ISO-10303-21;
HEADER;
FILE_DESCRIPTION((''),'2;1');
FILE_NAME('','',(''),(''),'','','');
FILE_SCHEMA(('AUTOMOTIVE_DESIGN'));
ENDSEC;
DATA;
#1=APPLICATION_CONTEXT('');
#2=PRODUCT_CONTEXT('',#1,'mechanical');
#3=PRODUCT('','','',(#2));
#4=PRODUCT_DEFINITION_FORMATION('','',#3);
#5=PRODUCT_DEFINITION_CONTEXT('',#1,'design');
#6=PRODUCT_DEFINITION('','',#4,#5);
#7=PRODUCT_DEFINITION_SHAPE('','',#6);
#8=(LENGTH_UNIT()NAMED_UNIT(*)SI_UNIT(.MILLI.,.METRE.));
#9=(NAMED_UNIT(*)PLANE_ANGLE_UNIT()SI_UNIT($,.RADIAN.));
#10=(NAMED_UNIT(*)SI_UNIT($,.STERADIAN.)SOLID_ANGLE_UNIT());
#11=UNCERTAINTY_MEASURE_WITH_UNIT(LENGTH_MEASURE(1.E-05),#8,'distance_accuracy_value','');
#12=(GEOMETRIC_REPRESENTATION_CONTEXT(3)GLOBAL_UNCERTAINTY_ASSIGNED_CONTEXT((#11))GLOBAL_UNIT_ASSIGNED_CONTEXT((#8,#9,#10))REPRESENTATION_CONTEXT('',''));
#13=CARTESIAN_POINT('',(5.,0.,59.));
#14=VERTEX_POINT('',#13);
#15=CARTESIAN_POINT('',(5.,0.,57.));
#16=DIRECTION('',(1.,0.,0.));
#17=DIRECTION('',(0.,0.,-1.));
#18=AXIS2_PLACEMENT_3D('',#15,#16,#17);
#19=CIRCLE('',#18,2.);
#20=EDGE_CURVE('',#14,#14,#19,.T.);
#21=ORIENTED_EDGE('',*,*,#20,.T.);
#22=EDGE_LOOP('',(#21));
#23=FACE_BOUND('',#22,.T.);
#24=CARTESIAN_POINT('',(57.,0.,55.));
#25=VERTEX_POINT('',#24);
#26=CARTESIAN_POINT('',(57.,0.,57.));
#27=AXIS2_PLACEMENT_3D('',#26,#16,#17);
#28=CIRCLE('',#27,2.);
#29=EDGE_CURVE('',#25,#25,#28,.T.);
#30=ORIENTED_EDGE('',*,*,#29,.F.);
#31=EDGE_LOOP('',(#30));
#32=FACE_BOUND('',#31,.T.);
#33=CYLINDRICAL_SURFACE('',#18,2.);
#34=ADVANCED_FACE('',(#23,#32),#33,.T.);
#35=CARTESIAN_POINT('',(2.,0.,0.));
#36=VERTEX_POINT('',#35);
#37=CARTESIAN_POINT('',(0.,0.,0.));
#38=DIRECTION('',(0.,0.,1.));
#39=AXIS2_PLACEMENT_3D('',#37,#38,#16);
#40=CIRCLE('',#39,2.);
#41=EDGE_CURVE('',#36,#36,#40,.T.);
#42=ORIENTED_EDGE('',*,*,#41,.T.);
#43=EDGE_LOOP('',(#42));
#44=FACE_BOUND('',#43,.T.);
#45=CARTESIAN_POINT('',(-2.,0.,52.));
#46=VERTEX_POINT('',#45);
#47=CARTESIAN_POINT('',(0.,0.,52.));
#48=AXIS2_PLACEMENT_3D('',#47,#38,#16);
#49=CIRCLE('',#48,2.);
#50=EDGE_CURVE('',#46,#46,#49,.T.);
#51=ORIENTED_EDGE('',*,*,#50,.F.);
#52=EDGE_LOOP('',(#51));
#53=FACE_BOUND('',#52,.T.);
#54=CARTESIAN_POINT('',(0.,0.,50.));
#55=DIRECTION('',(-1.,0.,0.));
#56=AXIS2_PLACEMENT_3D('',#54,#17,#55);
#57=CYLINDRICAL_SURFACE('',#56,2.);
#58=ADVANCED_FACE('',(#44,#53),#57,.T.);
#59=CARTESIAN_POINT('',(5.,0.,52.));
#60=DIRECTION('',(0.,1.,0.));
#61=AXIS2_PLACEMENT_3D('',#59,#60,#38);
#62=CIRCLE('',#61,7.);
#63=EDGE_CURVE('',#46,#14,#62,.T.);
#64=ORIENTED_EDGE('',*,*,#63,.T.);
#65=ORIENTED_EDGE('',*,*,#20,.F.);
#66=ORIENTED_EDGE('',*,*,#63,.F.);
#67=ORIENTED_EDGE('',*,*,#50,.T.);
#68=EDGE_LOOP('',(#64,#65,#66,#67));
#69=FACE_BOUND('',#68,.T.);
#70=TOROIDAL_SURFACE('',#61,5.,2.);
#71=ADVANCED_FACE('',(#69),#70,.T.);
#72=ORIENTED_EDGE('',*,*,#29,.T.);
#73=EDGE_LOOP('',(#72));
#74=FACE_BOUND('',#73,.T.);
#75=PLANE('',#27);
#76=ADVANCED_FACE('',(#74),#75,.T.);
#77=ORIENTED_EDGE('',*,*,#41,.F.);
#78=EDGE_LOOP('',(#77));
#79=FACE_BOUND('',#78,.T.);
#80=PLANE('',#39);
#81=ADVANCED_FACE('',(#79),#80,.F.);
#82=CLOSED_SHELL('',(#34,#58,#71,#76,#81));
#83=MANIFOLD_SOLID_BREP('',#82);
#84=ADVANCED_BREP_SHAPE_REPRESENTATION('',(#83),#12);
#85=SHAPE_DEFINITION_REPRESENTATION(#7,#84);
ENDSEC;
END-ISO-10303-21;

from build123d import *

# Parameters (mm, degrees)
SKETCH_1_R      = 2
EXTRUDE_1_DEPTH = 50
SKETCH_3_R      = 2


with BuildPart() as part:
    # ｽｹｯﾁ1 → ﾎﾞｽ - 押し出し1 (new body)
    with BuildSketch(Plane.XY):
        Circle(SKETCH_1_R)
    extrude(amount=EXTRUDE_1_DEPTH)

    # ｽｲｰﾌﾟ1: sweep along a path in ｽｹｯﾁ2
    with BuildLine(Plane(origin=(0, 0, 0), x_dir=(1, 0, 0), z_dir=(0, 1, 0))) as sweep_1_path:
        Line((0, -50), (0, -52))
        ThreePointArc((0, -52), (1.464466094, -55.535533906), (5, -57))
        Line((5, -57), (57, -57))
    # ｽｹｯﾁ3 → ｽｲｰﾌﾟ1 (sweep)
    with BuildSketch(Plane.XY.offset(50)):
        Circle(SKETCH_3_R)
    sweep(path=sweep_1_path.line)


solid = part.part
